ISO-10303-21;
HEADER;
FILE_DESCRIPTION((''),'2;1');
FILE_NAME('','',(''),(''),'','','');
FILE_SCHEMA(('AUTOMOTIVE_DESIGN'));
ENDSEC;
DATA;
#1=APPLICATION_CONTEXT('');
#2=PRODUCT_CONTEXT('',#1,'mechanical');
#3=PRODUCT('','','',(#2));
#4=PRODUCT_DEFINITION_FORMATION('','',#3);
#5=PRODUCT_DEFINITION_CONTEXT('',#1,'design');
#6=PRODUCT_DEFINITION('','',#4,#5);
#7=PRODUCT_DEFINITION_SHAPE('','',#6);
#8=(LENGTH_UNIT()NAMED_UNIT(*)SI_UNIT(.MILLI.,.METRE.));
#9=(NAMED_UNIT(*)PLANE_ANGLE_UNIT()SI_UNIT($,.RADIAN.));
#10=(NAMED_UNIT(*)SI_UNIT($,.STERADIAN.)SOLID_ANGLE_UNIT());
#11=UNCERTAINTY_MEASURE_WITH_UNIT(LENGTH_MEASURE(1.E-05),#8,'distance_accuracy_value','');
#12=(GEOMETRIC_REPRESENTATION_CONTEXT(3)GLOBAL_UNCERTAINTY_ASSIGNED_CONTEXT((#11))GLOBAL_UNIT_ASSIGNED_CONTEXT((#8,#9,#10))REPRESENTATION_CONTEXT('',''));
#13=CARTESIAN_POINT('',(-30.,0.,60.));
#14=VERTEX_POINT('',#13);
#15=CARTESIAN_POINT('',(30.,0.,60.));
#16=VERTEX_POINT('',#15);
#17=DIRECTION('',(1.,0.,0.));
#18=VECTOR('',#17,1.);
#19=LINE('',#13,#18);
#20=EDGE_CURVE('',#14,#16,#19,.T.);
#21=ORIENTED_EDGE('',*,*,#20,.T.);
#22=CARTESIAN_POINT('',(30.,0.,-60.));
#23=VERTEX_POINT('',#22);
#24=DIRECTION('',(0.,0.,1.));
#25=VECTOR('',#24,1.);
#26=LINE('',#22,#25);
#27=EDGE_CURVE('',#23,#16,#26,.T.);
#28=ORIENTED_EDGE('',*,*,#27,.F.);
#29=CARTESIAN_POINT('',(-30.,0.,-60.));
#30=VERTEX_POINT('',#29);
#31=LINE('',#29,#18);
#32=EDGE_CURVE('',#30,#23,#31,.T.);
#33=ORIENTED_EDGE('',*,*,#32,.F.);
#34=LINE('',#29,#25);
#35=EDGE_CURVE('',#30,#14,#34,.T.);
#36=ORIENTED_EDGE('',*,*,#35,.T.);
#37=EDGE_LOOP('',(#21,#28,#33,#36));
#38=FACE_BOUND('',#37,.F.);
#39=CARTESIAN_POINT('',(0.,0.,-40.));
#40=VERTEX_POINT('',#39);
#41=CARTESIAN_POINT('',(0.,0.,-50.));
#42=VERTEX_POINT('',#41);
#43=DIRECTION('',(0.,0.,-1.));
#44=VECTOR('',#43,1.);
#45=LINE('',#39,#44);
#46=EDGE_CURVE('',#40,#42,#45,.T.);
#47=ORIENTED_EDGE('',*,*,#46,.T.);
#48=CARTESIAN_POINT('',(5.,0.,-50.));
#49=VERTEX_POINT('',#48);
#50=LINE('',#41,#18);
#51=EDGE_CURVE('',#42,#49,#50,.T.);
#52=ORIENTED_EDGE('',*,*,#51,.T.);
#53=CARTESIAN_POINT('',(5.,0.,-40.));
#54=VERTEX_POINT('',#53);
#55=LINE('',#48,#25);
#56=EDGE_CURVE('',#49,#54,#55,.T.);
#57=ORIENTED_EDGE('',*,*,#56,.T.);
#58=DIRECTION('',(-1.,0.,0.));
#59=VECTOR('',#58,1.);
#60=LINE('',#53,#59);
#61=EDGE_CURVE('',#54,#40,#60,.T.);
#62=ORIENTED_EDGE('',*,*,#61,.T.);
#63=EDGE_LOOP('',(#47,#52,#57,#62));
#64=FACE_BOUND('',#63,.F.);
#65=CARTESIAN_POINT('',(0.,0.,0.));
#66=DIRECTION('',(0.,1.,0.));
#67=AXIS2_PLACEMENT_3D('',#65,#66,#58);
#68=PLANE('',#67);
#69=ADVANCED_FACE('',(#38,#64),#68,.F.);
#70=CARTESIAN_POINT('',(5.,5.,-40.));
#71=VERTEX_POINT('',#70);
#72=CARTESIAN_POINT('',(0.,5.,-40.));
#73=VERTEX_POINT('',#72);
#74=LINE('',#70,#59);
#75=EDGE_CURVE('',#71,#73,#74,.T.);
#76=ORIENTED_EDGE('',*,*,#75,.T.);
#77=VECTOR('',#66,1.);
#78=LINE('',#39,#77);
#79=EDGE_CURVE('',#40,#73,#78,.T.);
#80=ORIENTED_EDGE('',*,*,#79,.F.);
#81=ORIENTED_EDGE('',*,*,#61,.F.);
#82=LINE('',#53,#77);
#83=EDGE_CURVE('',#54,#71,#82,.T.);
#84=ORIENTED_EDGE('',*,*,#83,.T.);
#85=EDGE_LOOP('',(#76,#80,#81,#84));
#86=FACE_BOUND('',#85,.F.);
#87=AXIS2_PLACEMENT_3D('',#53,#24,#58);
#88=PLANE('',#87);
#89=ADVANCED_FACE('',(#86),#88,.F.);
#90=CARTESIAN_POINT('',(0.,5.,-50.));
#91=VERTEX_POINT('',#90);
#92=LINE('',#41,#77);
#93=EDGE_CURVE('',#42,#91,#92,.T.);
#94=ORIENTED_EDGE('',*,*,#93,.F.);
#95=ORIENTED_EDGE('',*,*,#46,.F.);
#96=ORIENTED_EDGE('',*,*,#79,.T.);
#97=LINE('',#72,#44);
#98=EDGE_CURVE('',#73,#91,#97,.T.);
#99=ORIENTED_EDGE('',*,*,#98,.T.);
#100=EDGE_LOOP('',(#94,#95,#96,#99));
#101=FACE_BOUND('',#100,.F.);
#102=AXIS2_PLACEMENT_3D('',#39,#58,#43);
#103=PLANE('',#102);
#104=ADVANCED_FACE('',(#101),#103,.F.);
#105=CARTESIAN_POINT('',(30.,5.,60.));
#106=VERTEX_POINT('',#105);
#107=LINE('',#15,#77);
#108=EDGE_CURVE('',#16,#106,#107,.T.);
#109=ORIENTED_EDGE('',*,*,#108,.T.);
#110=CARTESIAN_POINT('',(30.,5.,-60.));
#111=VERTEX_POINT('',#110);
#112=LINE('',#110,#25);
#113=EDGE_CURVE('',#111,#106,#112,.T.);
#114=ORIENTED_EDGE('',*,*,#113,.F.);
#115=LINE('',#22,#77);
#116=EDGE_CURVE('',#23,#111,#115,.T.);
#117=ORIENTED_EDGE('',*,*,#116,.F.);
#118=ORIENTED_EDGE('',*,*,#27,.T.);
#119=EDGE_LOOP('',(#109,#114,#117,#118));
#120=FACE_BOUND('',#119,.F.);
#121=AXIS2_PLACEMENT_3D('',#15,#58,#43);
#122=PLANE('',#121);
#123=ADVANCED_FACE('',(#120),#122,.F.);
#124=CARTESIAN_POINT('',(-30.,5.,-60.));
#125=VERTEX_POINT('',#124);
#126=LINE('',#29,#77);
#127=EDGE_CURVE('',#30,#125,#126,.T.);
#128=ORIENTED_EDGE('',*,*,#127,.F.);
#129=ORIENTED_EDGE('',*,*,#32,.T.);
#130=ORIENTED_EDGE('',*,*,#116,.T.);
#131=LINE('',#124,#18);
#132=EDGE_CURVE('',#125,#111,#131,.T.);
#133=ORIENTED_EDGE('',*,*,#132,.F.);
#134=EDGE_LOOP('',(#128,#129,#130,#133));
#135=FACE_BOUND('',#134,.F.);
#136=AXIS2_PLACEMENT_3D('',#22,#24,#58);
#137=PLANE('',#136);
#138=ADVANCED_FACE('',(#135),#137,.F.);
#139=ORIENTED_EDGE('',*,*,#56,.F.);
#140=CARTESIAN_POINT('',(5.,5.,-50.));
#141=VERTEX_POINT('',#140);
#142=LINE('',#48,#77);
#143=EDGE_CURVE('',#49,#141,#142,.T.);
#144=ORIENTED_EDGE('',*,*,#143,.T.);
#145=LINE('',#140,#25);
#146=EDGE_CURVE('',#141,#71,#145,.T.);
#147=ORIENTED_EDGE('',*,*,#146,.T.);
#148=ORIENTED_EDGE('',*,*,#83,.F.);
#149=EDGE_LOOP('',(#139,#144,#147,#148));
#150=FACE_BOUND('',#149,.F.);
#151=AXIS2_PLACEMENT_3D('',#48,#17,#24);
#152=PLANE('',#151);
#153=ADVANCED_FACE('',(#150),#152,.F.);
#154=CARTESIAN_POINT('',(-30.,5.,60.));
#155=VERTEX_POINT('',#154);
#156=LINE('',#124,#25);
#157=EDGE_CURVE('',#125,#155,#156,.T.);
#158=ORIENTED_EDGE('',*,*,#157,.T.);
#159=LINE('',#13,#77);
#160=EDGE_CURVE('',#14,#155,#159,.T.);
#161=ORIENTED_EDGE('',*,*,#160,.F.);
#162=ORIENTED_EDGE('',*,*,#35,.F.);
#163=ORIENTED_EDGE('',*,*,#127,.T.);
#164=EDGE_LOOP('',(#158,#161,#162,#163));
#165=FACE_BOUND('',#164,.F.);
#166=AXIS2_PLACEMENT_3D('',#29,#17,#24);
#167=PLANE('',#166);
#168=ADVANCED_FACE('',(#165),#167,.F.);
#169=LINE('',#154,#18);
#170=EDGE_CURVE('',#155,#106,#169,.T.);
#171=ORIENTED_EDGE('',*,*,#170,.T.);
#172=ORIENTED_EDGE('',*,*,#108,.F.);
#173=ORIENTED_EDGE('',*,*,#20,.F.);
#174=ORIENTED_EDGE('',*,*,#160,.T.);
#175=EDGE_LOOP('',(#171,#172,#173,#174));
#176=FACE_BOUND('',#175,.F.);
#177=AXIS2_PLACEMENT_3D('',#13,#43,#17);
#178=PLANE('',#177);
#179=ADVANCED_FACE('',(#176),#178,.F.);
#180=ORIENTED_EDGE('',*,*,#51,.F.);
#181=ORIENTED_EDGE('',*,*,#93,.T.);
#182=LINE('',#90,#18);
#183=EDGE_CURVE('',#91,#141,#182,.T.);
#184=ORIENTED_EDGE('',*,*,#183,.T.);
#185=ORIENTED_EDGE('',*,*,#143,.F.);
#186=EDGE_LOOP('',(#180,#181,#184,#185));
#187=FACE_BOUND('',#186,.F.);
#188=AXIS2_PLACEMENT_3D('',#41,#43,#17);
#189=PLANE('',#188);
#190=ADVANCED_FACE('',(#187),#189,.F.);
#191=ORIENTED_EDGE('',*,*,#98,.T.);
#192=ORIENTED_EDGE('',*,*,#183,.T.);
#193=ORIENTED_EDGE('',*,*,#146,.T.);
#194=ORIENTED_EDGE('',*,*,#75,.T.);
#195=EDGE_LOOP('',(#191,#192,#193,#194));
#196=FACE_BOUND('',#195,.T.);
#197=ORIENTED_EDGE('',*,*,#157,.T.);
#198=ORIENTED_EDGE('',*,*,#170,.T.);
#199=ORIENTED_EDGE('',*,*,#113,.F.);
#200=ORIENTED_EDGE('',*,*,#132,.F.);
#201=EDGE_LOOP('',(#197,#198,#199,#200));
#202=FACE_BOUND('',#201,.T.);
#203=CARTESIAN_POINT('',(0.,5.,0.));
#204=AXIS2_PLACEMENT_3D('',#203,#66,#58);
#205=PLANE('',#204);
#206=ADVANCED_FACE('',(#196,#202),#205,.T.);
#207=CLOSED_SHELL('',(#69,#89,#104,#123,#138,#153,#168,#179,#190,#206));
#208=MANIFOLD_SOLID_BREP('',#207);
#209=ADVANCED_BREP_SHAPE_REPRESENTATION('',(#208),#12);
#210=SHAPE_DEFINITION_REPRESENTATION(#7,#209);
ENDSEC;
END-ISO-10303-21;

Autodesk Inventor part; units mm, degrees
ref_plane "YZ Plane" through (0, 0, 0) normal (1, 0, 0) x (0, 1, 0)
ref_plane "XZ Plane" through (0, 0, 0) normal (0, 1, 0) x (-1, 0, 0)
ref_plane "XY Plane" through (0, 0, 0) normal (0, 0, 1) x (1, 0, 0)
sketch "Sketch1" plane through (0, 0, 0) normal (0, 1, 0) x (-1, 0, 0)
  circle A0 centre (0, 0) radius 10
  line L0 (0, -10) -> (0, -40)
  line L1 (0, -40) -> (0, -50)
  line L2 (0, -50) -> (-5, -50)
  line L3 (-5, -50) -> (-5, -40)
  line L4 (-5, -40) -> (0, -40)
  line L5 (-30, 0) -> (-30, -60)
  line L6 (-30, -60) -> (0, -60)
  line L7 (-30, -60) -> (30, -60)
  line L8 (30, -60) -> (30, 60)
  line L9 (30, 60) -> (-30, 60)
  line L10 (-30, 60) -> (-30, -60)
  dimension "d0" = 20
  dimension "d1" = 30
  dimension "d2" = 10
  dimension "d3" = 5
  dimension "d4" = 10
  dimension "d5" = 30
  dimension "d6" = 60
  dimension "d7" = 60
  dimension "d8" = 120
extrude "Extrusion1" add sketch "Sketch1" along normal blind 5 contours A0 | L10 L9 L8 L7 L6 L5
properties part number "spiral base"
